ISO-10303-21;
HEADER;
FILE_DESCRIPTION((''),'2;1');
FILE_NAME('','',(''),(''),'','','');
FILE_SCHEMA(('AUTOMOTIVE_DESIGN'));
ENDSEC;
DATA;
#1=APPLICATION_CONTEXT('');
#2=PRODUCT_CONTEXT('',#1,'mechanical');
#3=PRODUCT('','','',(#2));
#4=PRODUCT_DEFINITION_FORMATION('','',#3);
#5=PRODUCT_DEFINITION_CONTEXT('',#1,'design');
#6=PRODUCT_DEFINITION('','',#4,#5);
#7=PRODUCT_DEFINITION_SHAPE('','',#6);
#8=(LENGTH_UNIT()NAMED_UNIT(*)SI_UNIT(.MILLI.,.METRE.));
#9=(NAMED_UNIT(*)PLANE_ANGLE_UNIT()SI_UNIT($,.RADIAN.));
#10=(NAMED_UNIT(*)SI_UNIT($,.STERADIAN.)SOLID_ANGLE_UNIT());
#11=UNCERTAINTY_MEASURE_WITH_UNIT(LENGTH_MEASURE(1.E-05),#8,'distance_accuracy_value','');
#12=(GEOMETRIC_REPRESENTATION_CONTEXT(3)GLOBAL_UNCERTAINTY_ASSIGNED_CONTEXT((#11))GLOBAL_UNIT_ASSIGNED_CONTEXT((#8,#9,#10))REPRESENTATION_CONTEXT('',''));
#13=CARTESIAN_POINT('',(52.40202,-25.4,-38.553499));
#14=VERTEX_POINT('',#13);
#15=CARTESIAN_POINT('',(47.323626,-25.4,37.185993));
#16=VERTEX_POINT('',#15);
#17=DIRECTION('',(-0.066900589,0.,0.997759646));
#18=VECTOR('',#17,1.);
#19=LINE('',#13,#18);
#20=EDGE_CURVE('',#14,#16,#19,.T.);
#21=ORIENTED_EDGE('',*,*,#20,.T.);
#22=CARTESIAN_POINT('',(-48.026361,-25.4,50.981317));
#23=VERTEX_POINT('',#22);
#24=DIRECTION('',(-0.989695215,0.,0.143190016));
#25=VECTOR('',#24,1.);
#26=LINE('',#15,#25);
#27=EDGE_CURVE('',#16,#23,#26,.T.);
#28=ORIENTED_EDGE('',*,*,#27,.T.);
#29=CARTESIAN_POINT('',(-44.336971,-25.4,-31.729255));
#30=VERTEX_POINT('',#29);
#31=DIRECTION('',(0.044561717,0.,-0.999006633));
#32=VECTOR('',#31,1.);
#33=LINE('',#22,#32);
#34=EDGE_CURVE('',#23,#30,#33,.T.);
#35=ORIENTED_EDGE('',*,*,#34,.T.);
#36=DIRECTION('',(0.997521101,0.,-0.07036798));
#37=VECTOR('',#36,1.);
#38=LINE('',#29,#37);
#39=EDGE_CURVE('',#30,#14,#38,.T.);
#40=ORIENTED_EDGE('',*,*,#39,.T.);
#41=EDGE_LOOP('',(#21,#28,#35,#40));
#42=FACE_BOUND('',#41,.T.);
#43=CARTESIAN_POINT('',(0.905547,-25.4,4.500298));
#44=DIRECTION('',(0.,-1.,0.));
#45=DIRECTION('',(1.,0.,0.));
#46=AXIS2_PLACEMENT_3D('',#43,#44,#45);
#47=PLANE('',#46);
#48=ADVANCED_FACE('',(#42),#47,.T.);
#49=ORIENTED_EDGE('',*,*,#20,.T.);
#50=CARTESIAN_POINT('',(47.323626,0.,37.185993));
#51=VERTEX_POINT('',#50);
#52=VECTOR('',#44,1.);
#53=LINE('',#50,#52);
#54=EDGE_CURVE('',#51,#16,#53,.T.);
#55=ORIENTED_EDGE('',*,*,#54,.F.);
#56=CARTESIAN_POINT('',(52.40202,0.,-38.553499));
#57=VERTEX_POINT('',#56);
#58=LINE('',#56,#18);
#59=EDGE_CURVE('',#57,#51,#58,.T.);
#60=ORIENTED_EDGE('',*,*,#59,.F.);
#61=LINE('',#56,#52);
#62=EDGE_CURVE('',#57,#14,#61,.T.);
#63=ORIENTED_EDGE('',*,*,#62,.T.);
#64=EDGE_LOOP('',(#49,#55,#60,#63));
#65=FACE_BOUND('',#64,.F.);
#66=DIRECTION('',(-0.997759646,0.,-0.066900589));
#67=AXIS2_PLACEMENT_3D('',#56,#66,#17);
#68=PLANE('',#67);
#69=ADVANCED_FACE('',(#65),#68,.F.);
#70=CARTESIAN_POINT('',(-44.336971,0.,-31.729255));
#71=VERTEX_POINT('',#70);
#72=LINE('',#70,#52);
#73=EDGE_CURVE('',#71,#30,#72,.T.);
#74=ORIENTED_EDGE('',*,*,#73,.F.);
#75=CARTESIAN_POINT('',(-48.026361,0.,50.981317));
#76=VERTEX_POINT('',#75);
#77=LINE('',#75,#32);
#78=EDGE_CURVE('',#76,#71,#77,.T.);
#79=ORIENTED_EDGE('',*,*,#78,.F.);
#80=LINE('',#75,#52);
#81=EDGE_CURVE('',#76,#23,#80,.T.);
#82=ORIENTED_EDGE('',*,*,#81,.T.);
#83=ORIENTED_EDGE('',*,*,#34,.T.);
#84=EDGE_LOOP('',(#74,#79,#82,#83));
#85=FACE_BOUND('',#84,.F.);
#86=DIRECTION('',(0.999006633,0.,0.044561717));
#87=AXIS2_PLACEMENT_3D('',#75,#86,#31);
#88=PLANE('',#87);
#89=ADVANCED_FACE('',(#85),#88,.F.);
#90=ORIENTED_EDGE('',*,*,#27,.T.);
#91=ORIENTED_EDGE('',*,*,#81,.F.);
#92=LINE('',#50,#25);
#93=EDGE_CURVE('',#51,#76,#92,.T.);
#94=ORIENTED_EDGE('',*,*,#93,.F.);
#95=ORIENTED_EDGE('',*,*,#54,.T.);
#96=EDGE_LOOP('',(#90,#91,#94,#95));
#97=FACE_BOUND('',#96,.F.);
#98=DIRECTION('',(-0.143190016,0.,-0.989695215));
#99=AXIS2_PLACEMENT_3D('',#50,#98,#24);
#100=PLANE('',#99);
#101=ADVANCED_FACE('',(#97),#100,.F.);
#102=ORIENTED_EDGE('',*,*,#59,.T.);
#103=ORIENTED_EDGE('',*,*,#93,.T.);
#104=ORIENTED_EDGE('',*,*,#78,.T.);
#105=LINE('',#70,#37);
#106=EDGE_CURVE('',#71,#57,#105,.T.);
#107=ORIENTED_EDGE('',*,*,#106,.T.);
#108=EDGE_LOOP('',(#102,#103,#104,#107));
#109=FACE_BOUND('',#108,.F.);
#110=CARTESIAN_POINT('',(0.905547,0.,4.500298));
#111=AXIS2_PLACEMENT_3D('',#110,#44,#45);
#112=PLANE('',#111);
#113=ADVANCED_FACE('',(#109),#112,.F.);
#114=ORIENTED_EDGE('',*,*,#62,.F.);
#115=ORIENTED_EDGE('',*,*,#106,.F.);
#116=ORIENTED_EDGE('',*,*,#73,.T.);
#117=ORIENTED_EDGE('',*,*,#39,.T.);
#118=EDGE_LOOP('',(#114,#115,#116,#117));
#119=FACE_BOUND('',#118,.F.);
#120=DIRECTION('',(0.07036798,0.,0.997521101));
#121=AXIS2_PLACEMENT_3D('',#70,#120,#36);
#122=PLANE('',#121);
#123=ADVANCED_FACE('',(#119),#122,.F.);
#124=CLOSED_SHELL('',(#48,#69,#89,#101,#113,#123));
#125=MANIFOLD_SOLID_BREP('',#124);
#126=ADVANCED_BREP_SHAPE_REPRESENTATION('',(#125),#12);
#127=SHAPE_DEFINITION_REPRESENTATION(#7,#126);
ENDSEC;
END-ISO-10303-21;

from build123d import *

# Parameters (mm, degrees)
F2_DEPTH = 25.4


with BuildPart() as f2:
    # F1 (on face) → F2 (new body)
    with BuildSketch(Plane.XZ):
        Polygon((52.40202, -38.553499), (47.323626, 37.185993), (-48.026361, 50.981317), (-44.336971, -31.729255), align=None)
    extrude(amount=F2_DEPTH)


solid = f2.part
